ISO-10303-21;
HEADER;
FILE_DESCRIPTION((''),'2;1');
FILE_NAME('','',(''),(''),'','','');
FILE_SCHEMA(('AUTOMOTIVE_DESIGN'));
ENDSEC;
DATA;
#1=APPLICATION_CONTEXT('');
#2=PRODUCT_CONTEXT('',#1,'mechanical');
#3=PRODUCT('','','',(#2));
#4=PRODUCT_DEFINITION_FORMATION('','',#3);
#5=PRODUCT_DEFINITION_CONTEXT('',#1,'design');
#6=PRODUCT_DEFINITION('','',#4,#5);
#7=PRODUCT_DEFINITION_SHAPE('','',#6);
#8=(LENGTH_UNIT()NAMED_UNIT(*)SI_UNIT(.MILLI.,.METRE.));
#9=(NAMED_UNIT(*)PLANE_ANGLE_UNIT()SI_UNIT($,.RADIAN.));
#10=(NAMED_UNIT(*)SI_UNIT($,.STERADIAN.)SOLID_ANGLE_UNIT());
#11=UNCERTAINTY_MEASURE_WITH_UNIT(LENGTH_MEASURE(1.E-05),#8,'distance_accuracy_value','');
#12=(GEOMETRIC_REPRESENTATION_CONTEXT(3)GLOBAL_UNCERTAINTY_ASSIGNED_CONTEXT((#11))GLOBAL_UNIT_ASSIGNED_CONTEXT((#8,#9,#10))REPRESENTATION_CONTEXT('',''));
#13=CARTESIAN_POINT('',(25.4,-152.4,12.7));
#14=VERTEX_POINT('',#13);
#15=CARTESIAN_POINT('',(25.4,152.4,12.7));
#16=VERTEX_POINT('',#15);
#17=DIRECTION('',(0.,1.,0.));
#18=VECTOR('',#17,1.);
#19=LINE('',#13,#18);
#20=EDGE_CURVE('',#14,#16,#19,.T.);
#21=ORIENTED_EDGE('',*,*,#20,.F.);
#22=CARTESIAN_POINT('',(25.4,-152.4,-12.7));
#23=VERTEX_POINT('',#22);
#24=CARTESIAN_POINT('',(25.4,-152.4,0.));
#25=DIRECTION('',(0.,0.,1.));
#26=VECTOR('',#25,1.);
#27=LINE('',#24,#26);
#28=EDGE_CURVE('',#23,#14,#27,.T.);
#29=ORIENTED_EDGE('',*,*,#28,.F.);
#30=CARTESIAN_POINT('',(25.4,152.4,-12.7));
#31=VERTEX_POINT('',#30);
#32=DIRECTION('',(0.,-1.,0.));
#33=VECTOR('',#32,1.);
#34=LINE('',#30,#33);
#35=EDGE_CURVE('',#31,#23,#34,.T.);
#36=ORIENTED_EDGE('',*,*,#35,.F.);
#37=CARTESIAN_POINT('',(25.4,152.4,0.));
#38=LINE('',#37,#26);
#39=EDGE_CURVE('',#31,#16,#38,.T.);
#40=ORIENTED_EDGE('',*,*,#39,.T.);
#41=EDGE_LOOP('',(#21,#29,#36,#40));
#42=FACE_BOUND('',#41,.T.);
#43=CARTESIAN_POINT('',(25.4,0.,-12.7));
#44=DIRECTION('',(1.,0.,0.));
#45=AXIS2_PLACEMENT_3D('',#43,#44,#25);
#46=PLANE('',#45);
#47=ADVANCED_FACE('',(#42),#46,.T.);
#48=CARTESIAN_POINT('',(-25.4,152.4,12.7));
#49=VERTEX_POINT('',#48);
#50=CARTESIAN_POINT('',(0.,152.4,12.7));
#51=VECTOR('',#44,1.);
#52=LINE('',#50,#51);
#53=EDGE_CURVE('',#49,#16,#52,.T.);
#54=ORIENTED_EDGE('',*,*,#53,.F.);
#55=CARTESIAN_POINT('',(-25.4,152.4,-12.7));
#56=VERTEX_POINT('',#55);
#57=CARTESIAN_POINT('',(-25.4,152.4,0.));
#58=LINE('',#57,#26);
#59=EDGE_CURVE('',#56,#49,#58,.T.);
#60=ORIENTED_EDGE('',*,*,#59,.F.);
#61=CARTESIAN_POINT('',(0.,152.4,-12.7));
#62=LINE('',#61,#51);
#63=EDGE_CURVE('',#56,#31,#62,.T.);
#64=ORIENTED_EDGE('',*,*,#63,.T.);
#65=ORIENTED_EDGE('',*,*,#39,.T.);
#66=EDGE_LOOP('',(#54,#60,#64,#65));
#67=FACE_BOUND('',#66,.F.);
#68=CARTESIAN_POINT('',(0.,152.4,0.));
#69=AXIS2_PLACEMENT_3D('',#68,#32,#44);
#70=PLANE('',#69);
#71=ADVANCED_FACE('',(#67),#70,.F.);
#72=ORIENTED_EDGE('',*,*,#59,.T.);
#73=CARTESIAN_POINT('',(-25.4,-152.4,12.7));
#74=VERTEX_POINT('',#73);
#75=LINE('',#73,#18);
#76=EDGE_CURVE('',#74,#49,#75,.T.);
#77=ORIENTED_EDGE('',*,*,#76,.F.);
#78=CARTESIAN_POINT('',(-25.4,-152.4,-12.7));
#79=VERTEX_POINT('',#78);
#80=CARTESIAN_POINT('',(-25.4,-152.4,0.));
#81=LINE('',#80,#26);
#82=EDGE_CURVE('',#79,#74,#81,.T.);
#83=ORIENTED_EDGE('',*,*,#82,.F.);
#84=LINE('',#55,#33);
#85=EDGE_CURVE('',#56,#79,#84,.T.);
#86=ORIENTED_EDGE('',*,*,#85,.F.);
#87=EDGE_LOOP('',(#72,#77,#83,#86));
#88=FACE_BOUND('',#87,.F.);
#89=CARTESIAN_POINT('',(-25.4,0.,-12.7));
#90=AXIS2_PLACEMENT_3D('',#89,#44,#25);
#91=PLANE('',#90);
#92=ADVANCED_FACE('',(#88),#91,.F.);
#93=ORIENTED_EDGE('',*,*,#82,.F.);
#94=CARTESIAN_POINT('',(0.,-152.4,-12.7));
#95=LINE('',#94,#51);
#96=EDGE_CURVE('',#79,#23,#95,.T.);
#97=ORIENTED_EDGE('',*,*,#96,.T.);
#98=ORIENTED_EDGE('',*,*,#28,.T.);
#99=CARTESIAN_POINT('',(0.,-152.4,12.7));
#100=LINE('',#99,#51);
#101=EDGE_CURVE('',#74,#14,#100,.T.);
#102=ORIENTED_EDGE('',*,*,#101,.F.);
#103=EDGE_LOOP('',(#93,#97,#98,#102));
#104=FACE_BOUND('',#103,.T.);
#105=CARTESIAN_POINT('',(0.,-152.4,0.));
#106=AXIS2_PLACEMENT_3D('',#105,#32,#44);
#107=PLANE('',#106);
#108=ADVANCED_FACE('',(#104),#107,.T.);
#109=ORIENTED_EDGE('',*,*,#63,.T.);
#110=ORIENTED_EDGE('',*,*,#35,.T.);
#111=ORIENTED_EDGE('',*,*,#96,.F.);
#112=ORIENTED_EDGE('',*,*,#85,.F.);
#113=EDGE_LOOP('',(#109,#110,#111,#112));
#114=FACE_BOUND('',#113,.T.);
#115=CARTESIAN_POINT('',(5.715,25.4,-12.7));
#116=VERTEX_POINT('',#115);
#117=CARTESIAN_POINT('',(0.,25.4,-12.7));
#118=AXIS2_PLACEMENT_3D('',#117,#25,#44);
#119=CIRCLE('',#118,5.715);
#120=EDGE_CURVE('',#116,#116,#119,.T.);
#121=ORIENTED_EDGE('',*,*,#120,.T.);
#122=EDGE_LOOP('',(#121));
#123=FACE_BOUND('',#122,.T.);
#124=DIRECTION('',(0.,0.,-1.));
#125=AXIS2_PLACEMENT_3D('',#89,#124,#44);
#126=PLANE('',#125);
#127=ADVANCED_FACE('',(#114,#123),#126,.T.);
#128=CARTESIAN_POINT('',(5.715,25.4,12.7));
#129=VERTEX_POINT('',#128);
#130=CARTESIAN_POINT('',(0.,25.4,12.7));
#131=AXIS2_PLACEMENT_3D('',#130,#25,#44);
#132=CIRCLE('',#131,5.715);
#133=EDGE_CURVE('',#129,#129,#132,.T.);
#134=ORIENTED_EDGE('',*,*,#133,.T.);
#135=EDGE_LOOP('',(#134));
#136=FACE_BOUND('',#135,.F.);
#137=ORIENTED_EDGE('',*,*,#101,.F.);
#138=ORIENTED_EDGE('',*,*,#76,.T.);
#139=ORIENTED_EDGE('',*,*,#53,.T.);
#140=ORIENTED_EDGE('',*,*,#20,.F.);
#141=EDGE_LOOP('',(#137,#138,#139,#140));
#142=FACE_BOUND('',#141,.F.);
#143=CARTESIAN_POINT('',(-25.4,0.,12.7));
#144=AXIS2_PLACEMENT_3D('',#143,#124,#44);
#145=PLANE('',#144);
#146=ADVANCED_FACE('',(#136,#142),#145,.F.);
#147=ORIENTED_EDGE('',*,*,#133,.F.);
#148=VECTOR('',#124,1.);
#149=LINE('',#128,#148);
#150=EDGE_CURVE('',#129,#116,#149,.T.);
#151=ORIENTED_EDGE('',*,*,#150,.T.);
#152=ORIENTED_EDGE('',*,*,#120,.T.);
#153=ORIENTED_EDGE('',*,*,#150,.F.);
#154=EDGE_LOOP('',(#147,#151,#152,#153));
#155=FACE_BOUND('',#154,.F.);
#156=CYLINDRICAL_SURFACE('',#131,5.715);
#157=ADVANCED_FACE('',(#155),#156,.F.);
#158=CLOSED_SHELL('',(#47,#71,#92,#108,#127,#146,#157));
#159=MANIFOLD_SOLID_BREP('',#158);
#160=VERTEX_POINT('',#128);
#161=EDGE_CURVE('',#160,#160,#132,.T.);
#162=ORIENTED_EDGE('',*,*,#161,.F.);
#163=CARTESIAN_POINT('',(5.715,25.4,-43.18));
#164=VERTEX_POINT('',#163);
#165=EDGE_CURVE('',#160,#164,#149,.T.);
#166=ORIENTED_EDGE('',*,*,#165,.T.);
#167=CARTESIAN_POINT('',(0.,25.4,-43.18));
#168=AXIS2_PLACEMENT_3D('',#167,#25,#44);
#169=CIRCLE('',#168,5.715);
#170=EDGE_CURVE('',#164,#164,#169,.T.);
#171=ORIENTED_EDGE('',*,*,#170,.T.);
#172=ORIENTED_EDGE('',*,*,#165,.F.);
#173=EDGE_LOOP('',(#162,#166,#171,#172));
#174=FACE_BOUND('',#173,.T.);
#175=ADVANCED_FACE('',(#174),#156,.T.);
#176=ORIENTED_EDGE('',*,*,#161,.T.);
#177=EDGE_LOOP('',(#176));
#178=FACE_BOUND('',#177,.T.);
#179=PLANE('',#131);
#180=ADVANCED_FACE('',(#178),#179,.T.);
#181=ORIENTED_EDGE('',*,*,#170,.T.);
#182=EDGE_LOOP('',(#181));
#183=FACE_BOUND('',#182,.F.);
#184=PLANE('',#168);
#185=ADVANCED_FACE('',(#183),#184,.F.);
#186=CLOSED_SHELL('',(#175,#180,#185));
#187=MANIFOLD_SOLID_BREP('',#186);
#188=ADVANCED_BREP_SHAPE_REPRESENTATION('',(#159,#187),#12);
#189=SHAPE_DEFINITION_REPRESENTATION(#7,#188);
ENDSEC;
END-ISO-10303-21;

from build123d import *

# Parameters (mm, degrees)
F0_W     = 50.8
F0_H     = 25.4
F1_DEPTH = 152.4
F2_R     = 5.715
F3_DEPTH = 25.401
F4_DEPTH = 55.88


with BuildPart() as f1:
    # F0 (on Front) → F1 (new body, symmetric)
    with BuildSketch(Plane.XZ):
        Rectangle(F0_W, F0_H)
    extrude(amount=F1_DEPTH, both=True)

    # F2 (on face) → F3 (cut, through all)
    with BuildSketch(Plane.XY.offset(12.7)):
        with Locations((0, 25.4)):
            Circle(F2_R)
    extrude(amount=-F3_DEPTH, mode=Mode.SUBTRACT)


with BuildPart() as f4:
    # F2 (on face) → F4 (new body)
    with BuildSketch(Plane.XY.offset(12.7)):
        with Locations((0, 25.4)):
            Circle(F2_R)
    extrude(amount=-F4_DEPTH)


solid = Compound([f1.part, f4.part])
